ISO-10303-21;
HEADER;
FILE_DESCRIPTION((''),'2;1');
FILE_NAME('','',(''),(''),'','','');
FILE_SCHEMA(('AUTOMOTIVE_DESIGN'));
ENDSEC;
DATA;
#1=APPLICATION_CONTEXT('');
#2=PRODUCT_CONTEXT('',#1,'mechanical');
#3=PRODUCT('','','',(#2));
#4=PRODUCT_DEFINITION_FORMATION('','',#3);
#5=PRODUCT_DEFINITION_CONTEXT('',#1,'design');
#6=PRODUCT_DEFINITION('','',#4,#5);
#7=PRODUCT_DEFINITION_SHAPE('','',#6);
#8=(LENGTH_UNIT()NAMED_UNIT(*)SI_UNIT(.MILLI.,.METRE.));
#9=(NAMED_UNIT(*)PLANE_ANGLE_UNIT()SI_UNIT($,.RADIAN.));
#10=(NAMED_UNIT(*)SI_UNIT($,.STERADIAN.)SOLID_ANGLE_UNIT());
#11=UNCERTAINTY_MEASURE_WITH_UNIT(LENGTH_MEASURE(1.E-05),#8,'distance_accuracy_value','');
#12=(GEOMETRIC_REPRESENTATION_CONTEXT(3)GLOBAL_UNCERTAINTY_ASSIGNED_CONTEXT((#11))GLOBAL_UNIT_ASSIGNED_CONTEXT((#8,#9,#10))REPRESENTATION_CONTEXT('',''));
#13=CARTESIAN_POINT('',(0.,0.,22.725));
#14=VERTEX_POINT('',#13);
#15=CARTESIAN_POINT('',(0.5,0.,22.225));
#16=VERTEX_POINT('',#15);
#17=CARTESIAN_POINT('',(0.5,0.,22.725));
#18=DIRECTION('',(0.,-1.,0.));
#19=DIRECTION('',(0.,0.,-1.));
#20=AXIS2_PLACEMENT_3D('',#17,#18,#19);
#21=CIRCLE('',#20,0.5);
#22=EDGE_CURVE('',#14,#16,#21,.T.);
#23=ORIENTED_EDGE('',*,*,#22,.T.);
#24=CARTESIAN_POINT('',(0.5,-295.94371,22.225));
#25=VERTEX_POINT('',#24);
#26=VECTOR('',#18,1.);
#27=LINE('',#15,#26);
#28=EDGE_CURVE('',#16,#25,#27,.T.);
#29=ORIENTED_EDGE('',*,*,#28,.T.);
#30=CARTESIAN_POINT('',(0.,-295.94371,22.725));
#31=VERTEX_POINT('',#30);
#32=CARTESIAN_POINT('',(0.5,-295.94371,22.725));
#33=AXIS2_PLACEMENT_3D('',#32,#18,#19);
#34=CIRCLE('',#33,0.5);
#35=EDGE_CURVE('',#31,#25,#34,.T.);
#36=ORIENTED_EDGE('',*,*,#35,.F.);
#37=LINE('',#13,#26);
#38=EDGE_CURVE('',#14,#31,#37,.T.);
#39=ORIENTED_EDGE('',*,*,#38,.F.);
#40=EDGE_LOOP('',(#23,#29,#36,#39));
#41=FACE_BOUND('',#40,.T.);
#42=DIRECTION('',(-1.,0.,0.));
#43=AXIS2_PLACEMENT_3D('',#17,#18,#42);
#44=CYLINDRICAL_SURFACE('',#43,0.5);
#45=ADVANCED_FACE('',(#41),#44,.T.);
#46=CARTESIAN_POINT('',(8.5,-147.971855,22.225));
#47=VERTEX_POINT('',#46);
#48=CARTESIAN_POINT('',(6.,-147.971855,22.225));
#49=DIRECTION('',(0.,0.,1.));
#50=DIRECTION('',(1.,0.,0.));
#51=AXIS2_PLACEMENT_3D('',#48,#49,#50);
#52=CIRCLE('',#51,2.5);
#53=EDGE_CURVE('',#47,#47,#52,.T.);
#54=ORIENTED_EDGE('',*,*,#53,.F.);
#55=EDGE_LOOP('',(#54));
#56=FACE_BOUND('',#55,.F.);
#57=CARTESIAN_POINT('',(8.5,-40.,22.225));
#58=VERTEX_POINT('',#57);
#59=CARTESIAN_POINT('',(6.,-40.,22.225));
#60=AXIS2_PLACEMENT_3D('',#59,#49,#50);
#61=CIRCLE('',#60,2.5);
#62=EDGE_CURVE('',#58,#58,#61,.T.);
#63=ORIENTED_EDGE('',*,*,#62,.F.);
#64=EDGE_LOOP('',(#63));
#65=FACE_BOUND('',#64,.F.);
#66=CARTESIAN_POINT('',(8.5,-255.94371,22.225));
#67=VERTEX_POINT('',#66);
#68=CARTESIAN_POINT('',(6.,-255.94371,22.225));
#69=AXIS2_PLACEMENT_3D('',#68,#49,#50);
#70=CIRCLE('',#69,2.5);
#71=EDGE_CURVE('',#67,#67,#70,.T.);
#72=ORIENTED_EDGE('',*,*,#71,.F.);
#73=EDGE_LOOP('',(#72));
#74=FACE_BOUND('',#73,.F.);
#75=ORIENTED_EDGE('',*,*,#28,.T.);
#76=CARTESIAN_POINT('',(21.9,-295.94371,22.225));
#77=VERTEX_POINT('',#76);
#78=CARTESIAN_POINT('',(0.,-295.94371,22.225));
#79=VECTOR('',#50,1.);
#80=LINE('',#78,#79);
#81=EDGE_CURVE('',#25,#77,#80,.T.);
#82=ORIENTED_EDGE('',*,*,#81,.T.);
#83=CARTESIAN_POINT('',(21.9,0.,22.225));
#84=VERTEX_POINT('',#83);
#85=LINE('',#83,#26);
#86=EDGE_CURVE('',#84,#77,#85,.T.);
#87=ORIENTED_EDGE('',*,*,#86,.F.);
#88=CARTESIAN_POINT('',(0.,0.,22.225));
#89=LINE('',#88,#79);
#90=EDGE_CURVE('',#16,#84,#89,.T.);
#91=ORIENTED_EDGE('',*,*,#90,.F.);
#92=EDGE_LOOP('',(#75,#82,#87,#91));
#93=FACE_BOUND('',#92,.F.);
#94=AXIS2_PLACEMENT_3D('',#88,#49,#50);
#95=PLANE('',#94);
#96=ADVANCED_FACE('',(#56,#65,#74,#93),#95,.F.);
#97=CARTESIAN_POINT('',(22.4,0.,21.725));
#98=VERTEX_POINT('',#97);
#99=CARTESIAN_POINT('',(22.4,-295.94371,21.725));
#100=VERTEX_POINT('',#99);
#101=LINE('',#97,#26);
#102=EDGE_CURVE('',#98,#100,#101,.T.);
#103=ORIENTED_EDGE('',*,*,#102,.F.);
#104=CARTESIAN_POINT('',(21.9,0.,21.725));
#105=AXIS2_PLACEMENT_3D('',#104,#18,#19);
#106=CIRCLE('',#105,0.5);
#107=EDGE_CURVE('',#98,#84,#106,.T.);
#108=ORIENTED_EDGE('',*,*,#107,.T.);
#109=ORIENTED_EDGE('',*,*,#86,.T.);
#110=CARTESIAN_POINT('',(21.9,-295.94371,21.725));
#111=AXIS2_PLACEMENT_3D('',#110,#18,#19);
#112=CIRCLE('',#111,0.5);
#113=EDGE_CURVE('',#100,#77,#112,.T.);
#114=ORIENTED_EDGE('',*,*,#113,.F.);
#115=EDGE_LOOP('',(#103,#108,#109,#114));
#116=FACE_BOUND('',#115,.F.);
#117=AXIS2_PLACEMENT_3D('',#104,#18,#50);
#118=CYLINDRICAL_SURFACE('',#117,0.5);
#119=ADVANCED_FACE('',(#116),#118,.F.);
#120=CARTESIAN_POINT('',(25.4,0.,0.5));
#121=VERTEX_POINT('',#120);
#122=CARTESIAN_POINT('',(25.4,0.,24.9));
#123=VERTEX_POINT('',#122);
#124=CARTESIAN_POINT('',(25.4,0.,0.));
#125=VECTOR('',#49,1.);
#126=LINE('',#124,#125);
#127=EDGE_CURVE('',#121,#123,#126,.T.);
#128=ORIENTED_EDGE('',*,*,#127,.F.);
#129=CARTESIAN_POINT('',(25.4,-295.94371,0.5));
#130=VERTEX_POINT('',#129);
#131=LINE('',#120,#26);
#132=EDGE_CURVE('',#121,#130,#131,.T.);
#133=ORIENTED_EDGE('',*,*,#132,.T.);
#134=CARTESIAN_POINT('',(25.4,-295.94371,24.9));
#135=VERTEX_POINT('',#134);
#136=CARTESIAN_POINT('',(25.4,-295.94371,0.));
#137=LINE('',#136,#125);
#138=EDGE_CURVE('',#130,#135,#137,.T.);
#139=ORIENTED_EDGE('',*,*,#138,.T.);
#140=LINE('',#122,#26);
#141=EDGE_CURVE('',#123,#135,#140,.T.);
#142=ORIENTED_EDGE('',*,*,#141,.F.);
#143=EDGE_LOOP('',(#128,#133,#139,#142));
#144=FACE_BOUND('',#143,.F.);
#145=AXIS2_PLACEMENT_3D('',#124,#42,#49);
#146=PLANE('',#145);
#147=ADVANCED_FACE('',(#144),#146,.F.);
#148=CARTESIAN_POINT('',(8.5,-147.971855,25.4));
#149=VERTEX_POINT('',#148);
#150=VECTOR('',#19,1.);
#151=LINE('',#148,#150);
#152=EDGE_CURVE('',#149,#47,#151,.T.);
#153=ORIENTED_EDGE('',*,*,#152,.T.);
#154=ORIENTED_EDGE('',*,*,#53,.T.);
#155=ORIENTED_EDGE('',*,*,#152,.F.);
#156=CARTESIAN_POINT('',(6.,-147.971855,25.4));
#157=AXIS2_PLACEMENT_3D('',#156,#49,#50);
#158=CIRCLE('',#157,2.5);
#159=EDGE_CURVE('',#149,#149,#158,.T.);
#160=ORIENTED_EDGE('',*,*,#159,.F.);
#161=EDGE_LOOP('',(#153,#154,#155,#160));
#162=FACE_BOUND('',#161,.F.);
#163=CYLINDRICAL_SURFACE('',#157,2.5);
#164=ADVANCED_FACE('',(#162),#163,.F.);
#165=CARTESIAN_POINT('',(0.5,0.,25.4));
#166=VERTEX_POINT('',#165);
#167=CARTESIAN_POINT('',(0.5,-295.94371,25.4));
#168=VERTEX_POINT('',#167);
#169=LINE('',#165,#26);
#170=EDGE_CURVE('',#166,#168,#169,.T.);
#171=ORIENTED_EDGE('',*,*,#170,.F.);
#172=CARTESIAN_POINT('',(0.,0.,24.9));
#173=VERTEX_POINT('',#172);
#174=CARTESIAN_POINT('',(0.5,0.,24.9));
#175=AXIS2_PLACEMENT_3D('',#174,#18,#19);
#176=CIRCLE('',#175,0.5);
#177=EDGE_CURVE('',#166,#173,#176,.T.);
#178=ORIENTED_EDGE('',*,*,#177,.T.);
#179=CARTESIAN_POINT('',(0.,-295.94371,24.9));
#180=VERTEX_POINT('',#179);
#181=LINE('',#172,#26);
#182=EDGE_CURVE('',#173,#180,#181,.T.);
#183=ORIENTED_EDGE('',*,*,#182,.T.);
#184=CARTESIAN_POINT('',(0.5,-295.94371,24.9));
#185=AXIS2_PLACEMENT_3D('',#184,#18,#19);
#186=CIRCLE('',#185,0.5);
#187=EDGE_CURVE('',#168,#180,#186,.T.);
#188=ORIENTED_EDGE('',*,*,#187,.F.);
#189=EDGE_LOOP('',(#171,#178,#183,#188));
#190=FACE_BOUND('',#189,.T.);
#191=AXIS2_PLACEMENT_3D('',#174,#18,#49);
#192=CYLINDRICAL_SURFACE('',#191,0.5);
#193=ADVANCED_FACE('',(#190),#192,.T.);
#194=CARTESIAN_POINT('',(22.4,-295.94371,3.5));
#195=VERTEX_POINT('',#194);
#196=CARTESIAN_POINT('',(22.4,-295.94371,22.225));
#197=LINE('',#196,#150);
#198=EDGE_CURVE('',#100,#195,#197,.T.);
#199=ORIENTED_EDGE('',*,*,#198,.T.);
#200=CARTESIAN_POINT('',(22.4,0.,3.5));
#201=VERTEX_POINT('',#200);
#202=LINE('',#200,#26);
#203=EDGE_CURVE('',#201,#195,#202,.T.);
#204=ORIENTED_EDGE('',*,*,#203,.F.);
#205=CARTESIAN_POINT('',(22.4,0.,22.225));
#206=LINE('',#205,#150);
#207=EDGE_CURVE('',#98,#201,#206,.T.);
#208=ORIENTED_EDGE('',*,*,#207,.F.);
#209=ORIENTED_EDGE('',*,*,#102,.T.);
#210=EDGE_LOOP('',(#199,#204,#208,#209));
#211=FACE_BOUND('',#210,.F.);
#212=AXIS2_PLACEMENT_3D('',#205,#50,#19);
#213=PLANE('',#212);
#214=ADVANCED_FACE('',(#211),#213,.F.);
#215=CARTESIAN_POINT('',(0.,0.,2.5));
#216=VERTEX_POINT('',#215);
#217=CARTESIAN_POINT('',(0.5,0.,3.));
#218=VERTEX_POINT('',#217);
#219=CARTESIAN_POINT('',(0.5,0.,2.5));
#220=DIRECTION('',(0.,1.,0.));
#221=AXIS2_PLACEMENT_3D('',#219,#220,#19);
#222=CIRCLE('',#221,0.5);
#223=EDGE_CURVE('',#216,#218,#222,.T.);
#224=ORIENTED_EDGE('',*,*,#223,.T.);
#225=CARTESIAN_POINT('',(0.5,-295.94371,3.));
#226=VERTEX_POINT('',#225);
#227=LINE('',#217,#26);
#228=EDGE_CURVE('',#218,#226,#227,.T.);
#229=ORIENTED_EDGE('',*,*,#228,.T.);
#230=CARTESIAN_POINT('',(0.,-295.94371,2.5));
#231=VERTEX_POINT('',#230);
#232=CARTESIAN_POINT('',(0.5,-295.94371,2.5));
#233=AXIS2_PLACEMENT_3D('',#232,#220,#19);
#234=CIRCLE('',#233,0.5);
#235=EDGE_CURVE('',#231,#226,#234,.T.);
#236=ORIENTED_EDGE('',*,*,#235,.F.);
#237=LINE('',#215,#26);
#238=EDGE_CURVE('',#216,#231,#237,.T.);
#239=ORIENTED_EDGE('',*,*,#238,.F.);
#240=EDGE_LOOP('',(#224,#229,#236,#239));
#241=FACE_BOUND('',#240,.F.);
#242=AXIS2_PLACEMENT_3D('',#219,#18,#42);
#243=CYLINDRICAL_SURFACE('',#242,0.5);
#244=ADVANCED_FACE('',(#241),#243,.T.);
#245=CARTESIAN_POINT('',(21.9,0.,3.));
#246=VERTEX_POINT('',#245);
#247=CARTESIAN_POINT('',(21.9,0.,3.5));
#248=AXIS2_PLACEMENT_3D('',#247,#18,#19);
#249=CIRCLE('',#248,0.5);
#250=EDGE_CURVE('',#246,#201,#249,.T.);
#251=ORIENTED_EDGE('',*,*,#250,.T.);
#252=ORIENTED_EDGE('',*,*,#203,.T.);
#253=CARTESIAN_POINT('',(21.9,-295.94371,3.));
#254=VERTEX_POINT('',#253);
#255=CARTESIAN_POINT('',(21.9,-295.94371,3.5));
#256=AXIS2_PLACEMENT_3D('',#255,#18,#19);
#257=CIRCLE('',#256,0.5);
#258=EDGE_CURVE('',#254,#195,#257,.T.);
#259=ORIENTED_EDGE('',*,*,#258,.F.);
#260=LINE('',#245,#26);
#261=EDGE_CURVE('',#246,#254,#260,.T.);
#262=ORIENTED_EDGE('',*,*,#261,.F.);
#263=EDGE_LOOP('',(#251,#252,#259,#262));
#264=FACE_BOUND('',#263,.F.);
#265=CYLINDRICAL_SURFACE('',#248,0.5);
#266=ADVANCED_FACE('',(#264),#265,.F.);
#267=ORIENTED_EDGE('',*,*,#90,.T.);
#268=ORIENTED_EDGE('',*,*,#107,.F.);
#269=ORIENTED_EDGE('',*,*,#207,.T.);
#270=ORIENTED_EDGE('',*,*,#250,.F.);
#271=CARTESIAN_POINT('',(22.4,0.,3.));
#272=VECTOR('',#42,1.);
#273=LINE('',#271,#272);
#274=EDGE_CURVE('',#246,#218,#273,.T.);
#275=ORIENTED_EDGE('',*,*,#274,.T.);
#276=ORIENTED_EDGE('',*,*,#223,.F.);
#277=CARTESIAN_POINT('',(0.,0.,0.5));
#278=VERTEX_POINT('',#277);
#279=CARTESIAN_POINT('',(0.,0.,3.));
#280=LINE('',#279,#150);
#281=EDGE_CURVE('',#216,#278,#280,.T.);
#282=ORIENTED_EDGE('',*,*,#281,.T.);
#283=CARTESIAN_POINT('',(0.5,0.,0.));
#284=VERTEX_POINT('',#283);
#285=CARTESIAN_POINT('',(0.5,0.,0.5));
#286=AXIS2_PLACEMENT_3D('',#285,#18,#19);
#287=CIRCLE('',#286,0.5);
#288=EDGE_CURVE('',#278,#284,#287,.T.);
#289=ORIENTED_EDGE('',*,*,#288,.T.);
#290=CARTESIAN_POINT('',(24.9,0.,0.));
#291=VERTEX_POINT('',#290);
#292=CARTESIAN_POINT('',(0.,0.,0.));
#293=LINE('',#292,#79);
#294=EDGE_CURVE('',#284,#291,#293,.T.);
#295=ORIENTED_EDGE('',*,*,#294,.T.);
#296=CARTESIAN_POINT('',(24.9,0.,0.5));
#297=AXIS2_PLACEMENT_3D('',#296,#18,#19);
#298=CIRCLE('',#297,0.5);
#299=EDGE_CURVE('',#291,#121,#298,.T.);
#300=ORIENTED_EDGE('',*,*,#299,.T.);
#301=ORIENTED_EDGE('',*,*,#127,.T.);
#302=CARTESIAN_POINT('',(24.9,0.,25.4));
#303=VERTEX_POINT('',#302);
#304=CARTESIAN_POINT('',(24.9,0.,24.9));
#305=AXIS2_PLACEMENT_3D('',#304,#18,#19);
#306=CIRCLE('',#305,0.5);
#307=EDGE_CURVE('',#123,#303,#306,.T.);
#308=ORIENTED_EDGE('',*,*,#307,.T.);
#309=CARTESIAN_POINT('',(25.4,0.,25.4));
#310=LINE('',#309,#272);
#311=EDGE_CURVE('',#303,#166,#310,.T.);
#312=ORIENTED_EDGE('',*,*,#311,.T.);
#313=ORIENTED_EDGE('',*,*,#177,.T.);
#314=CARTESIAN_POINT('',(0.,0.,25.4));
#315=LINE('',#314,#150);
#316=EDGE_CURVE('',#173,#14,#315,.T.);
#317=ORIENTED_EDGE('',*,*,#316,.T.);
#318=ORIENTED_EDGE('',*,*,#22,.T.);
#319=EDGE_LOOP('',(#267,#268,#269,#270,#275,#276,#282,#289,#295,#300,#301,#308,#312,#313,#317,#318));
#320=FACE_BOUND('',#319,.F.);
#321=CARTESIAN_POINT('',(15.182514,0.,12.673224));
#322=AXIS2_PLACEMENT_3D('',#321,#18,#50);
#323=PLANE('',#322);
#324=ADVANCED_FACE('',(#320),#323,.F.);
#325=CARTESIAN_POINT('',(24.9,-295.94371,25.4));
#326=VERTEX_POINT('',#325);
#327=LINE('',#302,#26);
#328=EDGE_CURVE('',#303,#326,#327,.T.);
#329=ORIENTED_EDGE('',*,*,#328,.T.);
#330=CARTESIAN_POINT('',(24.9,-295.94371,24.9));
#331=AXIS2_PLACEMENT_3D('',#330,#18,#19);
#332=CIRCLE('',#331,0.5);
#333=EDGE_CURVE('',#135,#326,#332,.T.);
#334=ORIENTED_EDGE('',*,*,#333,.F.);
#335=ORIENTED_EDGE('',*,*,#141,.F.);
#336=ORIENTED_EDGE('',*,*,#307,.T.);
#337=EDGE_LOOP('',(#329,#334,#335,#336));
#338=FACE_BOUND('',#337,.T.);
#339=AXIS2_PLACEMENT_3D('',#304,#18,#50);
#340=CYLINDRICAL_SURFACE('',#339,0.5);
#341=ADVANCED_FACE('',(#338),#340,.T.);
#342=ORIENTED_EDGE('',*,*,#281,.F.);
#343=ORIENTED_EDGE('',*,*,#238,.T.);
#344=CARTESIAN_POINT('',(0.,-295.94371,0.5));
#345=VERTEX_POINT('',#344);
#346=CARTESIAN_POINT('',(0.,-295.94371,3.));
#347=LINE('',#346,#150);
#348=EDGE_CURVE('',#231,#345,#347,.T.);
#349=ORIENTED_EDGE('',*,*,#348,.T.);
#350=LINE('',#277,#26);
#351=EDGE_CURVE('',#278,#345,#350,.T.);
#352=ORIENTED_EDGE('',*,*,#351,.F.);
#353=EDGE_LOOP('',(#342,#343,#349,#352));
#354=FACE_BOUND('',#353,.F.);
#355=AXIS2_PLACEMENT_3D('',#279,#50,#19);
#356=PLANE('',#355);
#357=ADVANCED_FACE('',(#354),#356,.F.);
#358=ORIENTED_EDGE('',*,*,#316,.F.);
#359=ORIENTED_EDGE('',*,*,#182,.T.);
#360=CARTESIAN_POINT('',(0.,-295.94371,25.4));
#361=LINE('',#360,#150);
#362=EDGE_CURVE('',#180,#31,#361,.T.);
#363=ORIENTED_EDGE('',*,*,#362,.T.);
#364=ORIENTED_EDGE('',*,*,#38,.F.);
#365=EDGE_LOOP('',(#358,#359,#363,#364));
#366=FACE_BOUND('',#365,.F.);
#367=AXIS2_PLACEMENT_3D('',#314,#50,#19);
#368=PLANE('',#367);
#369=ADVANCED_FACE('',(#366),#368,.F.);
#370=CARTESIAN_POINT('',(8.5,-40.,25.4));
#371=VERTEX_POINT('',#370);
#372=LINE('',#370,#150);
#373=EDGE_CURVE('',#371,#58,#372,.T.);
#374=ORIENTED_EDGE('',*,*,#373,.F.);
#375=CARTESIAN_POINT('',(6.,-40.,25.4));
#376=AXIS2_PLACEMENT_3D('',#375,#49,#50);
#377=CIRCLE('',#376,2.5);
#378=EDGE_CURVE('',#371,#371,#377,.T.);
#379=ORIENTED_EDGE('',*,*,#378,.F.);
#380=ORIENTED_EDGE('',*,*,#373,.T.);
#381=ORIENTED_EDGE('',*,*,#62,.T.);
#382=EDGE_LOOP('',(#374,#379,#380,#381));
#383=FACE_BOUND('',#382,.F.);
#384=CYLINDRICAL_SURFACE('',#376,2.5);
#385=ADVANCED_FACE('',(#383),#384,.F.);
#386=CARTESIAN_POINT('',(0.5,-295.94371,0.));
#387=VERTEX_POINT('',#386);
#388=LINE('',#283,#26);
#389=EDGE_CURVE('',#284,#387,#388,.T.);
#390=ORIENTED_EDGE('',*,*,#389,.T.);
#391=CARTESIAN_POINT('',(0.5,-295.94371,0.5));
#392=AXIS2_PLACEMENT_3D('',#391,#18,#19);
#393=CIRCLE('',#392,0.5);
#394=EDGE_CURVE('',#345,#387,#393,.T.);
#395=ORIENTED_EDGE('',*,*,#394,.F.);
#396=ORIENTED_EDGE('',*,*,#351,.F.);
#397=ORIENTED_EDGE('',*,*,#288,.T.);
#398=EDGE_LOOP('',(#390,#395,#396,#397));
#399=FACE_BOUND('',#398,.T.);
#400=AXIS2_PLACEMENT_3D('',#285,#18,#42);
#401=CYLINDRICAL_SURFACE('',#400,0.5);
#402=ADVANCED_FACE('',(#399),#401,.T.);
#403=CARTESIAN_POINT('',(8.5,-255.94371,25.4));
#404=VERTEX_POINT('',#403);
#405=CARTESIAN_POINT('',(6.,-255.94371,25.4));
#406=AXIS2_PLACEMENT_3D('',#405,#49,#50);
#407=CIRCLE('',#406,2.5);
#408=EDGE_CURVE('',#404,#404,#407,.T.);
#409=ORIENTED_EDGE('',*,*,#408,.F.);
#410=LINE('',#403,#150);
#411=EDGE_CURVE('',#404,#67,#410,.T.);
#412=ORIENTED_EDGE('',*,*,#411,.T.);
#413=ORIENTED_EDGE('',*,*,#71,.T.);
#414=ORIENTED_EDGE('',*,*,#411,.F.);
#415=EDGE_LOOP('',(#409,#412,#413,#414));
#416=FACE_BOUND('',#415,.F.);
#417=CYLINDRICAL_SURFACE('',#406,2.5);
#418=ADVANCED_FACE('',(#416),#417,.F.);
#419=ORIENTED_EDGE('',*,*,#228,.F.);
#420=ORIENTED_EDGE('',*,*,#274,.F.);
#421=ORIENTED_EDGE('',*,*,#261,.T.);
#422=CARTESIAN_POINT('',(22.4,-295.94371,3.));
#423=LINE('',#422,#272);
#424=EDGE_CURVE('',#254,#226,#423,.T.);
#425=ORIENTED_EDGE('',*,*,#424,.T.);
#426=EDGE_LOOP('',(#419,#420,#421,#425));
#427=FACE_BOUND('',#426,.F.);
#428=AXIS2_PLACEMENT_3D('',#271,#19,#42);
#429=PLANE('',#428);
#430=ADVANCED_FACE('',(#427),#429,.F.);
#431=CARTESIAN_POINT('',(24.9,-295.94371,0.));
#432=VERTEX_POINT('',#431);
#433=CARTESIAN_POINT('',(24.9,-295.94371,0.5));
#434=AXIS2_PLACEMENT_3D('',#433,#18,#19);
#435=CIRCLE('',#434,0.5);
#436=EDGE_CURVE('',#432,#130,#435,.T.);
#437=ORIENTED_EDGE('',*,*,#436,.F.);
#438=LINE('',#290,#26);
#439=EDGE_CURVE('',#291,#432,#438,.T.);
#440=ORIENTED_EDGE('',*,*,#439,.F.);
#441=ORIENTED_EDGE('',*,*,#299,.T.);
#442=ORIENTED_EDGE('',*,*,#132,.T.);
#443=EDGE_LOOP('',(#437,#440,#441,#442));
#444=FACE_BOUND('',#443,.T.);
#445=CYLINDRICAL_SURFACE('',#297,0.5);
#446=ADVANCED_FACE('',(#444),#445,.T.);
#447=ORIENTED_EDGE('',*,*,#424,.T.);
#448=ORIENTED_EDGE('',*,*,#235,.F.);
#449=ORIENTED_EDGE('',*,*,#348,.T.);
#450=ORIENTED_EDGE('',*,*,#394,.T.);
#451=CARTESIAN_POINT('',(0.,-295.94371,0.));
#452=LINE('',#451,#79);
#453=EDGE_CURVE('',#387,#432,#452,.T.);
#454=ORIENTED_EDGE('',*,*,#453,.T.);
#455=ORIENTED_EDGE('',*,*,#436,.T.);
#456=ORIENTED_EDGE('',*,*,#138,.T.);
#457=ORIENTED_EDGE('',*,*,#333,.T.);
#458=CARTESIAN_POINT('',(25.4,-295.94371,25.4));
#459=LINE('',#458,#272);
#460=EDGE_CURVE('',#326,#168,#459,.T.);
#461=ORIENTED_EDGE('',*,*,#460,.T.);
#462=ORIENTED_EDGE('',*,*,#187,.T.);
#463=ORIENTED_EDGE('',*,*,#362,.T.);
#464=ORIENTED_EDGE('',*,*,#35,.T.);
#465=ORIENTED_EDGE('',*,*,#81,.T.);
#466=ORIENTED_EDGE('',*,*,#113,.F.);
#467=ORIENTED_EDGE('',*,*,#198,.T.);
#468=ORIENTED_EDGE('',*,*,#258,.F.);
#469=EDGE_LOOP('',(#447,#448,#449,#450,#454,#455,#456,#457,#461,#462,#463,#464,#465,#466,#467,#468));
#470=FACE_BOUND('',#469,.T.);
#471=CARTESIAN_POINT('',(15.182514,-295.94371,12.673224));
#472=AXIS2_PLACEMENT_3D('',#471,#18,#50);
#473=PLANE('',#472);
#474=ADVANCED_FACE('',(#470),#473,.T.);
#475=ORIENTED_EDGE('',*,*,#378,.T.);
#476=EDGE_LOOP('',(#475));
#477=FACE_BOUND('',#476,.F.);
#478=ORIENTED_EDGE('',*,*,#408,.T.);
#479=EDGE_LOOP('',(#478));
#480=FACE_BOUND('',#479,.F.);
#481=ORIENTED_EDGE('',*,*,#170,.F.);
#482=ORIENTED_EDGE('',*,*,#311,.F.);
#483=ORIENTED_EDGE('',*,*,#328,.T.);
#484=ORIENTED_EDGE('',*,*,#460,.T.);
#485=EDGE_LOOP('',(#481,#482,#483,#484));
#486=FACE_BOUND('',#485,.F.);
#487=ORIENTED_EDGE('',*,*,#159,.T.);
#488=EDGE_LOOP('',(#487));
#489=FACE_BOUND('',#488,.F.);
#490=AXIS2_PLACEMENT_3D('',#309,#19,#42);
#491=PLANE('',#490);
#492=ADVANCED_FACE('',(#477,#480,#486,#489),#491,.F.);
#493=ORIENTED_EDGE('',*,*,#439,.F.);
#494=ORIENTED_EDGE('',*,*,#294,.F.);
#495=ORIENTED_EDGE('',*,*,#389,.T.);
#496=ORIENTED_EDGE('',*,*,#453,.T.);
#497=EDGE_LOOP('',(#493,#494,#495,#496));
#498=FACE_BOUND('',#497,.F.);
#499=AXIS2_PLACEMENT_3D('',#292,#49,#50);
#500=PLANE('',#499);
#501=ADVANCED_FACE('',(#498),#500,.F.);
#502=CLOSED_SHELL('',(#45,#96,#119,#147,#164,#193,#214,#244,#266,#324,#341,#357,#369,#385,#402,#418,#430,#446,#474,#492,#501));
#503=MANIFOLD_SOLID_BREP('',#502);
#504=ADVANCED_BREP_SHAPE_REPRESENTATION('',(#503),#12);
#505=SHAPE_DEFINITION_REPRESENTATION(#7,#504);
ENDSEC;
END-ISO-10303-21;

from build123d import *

# Parameters (mm, degrees)
F1_DEPTH = 295.94371
F2_R     = 2.5
F3_DEPTH = 5
F5_R     = 0.5


with BuildPart() as f1:
    # F0 (on Front) → F1 (new body)
    with BuildSketch(Plane.XZ):
        Polygon((0, 3), (0, 0), (25.4, 0), (25.4, 25.4), (0, 25.4), (0, 22.225), (22.4, 22.225), (22.4, 3), align=None)
    extrude(amount=F1_DEPTH)

    # F2 (on face) → F3 (cut)
    with BuildSketch(Plane.XY.offset(25.4)):
        with Locations((6, -40)):
            Circle(F2_R)
        with Locations((6, -147.971855)):
            Circle(F2_R)
        with Locations((6, -255.94371)):
            Circle(F2_R)
    extrude(amount=-F3_DEPTH, mode=Mode.SUBTRACT)

    # F5
    f5_edges = [f1.edges().sort_by_distance(p)[0] for p in [
        (25.4, -147.971855, 25.4),
        (25.4, -147.971855, 0),
        (0, -147.971855, 25.4),
        (0, -147.971855, 22.225),
        (22.4, -147.971855, 22.225),
        (0, -147.971855, 3),
        (0, -147.971855, 0),
        (22.4, -147.971855, 3),
    ]]
    fillet(f5_edges, radius=F5_R)


solid = f1.part
